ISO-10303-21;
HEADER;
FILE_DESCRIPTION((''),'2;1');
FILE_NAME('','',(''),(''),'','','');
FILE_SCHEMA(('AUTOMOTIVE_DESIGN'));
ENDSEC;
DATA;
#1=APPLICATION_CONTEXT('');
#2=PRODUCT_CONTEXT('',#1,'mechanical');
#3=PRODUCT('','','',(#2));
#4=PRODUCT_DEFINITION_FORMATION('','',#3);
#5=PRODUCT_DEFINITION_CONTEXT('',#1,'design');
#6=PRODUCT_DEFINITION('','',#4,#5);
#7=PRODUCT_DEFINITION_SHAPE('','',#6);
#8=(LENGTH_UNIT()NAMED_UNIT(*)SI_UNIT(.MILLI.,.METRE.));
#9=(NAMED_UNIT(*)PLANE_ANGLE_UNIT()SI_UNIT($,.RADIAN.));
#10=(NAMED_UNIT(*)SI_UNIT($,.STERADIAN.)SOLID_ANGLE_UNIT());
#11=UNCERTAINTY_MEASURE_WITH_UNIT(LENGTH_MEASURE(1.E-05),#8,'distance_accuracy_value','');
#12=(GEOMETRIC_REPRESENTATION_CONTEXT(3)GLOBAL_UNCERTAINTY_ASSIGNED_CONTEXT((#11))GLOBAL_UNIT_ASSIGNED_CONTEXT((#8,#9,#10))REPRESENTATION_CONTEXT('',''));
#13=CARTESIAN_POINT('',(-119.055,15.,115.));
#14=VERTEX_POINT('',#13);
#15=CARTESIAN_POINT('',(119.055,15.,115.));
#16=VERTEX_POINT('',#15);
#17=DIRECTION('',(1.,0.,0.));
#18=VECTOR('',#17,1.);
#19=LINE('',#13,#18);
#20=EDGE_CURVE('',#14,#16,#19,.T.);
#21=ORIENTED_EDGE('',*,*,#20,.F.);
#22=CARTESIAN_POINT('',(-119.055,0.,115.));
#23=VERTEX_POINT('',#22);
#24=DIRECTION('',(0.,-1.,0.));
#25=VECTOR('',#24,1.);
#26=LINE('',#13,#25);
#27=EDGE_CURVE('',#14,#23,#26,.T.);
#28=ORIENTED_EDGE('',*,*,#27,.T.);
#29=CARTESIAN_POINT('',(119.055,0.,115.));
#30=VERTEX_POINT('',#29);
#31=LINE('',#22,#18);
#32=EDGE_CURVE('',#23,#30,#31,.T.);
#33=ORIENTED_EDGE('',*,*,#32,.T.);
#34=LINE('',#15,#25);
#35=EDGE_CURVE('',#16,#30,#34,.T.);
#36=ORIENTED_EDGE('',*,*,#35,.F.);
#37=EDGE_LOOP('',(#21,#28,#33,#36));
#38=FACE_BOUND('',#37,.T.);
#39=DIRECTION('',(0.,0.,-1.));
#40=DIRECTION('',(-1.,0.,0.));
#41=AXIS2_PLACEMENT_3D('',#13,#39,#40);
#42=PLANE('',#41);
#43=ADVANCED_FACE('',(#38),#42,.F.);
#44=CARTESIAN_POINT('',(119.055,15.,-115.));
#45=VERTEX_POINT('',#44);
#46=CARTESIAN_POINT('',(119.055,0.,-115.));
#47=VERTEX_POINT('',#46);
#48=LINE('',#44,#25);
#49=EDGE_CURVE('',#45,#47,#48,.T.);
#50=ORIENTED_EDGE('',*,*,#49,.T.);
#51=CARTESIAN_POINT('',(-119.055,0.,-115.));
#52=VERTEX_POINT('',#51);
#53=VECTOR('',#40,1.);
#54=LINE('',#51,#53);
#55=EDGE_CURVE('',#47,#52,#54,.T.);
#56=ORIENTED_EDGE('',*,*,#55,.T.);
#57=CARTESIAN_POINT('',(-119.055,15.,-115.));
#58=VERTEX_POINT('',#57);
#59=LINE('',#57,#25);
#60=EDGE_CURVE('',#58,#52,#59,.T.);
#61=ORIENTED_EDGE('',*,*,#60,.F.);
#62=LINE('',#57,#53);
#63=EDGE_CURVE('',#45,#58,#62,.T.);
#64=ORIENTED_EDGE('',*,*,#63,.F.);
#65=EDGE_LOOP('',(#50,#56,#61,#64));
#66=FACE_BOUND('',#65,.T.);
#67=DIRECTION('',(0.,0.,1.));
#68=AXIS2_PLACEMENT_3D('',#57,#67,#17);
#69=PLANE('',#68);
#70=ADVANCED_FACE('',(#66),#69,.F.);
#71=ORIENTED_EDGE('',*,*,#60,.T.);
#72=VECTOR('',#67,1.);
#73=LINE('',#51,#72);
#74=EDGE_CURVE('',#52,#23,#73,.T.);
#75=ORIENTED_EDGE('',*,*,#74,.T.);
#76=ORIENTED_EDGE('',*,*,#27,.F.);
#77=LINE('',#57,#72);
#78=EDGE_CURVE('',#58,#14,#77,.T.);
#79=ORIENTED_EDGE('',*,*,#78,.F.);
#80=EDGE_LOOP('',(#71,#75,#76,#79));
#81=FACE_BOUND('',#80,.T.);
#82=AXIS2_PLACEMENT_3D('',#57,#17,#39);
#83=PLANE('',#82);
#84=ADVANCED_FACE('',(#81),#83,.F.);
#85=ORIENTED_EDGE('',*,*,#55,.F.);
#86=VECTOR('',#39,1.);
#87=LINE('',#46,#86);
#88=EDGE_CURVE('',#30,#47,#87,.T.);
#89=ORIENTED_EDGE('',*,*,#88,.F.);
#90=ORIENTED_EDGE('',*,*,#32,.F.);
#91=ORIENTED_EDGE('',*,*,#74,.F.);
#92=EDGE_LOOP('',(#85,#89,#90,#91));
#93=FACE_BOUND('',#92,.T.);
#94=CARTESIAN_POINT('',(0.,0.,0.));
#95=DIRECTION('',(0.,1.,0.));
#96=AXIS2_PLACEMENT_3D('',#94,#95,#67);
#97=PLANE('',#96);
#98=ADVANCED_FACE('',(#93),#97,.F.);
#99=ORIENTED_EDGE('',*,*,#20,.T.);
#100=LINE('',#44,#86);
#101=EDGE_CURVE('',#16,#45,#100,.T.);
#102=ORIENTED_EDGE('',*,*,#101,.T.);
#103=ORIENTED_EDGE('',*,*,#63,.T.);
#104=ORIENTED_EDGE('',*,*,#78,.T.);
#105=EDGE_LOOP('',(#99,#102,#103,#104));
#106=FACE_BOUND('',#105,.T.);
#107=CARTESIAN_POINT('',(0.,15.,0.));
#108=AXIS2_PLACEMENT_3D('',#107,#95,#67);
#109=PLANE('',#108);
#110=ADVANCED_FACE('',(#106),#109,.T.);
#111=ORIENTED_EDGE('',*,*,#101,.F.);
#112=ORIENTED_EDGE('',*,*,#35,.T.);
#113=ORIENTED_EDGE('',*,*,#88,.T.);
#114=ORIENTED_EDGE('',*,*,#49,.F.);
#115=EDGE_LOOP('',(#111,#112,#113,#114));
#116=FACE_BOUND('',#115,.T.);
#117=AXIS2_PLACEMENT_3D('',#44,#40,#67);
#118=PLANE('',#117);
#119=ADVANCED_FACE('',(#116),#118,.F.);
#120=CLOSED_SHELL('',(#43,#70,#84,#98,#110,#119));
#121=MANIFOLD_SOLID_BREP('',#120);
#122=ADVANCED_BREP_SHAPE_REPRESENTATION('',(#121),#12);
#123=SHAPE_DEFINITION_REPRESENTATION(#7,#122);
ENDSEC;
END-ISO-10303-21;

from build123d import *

# Parameters (mm, degrees)
SKETCH_1_W      = 238.11
SKETCH_1_H      = 230
EXTRUDE_1_DEPTH = 15


with BuildPart() as part:
    # 草图1 → 凸台-拉伸1 (new body)
    with BuildSketch(Plane(origin=(0, 0, 0), x_dir=(1, 0, 0), z_dir=(0, 1, 0))):
        Rectangle(SKETCH_1_W, SKETCH_1_H)
    extrude(amount=EXTRUDE_1_DEPTH)


solid = part.part
